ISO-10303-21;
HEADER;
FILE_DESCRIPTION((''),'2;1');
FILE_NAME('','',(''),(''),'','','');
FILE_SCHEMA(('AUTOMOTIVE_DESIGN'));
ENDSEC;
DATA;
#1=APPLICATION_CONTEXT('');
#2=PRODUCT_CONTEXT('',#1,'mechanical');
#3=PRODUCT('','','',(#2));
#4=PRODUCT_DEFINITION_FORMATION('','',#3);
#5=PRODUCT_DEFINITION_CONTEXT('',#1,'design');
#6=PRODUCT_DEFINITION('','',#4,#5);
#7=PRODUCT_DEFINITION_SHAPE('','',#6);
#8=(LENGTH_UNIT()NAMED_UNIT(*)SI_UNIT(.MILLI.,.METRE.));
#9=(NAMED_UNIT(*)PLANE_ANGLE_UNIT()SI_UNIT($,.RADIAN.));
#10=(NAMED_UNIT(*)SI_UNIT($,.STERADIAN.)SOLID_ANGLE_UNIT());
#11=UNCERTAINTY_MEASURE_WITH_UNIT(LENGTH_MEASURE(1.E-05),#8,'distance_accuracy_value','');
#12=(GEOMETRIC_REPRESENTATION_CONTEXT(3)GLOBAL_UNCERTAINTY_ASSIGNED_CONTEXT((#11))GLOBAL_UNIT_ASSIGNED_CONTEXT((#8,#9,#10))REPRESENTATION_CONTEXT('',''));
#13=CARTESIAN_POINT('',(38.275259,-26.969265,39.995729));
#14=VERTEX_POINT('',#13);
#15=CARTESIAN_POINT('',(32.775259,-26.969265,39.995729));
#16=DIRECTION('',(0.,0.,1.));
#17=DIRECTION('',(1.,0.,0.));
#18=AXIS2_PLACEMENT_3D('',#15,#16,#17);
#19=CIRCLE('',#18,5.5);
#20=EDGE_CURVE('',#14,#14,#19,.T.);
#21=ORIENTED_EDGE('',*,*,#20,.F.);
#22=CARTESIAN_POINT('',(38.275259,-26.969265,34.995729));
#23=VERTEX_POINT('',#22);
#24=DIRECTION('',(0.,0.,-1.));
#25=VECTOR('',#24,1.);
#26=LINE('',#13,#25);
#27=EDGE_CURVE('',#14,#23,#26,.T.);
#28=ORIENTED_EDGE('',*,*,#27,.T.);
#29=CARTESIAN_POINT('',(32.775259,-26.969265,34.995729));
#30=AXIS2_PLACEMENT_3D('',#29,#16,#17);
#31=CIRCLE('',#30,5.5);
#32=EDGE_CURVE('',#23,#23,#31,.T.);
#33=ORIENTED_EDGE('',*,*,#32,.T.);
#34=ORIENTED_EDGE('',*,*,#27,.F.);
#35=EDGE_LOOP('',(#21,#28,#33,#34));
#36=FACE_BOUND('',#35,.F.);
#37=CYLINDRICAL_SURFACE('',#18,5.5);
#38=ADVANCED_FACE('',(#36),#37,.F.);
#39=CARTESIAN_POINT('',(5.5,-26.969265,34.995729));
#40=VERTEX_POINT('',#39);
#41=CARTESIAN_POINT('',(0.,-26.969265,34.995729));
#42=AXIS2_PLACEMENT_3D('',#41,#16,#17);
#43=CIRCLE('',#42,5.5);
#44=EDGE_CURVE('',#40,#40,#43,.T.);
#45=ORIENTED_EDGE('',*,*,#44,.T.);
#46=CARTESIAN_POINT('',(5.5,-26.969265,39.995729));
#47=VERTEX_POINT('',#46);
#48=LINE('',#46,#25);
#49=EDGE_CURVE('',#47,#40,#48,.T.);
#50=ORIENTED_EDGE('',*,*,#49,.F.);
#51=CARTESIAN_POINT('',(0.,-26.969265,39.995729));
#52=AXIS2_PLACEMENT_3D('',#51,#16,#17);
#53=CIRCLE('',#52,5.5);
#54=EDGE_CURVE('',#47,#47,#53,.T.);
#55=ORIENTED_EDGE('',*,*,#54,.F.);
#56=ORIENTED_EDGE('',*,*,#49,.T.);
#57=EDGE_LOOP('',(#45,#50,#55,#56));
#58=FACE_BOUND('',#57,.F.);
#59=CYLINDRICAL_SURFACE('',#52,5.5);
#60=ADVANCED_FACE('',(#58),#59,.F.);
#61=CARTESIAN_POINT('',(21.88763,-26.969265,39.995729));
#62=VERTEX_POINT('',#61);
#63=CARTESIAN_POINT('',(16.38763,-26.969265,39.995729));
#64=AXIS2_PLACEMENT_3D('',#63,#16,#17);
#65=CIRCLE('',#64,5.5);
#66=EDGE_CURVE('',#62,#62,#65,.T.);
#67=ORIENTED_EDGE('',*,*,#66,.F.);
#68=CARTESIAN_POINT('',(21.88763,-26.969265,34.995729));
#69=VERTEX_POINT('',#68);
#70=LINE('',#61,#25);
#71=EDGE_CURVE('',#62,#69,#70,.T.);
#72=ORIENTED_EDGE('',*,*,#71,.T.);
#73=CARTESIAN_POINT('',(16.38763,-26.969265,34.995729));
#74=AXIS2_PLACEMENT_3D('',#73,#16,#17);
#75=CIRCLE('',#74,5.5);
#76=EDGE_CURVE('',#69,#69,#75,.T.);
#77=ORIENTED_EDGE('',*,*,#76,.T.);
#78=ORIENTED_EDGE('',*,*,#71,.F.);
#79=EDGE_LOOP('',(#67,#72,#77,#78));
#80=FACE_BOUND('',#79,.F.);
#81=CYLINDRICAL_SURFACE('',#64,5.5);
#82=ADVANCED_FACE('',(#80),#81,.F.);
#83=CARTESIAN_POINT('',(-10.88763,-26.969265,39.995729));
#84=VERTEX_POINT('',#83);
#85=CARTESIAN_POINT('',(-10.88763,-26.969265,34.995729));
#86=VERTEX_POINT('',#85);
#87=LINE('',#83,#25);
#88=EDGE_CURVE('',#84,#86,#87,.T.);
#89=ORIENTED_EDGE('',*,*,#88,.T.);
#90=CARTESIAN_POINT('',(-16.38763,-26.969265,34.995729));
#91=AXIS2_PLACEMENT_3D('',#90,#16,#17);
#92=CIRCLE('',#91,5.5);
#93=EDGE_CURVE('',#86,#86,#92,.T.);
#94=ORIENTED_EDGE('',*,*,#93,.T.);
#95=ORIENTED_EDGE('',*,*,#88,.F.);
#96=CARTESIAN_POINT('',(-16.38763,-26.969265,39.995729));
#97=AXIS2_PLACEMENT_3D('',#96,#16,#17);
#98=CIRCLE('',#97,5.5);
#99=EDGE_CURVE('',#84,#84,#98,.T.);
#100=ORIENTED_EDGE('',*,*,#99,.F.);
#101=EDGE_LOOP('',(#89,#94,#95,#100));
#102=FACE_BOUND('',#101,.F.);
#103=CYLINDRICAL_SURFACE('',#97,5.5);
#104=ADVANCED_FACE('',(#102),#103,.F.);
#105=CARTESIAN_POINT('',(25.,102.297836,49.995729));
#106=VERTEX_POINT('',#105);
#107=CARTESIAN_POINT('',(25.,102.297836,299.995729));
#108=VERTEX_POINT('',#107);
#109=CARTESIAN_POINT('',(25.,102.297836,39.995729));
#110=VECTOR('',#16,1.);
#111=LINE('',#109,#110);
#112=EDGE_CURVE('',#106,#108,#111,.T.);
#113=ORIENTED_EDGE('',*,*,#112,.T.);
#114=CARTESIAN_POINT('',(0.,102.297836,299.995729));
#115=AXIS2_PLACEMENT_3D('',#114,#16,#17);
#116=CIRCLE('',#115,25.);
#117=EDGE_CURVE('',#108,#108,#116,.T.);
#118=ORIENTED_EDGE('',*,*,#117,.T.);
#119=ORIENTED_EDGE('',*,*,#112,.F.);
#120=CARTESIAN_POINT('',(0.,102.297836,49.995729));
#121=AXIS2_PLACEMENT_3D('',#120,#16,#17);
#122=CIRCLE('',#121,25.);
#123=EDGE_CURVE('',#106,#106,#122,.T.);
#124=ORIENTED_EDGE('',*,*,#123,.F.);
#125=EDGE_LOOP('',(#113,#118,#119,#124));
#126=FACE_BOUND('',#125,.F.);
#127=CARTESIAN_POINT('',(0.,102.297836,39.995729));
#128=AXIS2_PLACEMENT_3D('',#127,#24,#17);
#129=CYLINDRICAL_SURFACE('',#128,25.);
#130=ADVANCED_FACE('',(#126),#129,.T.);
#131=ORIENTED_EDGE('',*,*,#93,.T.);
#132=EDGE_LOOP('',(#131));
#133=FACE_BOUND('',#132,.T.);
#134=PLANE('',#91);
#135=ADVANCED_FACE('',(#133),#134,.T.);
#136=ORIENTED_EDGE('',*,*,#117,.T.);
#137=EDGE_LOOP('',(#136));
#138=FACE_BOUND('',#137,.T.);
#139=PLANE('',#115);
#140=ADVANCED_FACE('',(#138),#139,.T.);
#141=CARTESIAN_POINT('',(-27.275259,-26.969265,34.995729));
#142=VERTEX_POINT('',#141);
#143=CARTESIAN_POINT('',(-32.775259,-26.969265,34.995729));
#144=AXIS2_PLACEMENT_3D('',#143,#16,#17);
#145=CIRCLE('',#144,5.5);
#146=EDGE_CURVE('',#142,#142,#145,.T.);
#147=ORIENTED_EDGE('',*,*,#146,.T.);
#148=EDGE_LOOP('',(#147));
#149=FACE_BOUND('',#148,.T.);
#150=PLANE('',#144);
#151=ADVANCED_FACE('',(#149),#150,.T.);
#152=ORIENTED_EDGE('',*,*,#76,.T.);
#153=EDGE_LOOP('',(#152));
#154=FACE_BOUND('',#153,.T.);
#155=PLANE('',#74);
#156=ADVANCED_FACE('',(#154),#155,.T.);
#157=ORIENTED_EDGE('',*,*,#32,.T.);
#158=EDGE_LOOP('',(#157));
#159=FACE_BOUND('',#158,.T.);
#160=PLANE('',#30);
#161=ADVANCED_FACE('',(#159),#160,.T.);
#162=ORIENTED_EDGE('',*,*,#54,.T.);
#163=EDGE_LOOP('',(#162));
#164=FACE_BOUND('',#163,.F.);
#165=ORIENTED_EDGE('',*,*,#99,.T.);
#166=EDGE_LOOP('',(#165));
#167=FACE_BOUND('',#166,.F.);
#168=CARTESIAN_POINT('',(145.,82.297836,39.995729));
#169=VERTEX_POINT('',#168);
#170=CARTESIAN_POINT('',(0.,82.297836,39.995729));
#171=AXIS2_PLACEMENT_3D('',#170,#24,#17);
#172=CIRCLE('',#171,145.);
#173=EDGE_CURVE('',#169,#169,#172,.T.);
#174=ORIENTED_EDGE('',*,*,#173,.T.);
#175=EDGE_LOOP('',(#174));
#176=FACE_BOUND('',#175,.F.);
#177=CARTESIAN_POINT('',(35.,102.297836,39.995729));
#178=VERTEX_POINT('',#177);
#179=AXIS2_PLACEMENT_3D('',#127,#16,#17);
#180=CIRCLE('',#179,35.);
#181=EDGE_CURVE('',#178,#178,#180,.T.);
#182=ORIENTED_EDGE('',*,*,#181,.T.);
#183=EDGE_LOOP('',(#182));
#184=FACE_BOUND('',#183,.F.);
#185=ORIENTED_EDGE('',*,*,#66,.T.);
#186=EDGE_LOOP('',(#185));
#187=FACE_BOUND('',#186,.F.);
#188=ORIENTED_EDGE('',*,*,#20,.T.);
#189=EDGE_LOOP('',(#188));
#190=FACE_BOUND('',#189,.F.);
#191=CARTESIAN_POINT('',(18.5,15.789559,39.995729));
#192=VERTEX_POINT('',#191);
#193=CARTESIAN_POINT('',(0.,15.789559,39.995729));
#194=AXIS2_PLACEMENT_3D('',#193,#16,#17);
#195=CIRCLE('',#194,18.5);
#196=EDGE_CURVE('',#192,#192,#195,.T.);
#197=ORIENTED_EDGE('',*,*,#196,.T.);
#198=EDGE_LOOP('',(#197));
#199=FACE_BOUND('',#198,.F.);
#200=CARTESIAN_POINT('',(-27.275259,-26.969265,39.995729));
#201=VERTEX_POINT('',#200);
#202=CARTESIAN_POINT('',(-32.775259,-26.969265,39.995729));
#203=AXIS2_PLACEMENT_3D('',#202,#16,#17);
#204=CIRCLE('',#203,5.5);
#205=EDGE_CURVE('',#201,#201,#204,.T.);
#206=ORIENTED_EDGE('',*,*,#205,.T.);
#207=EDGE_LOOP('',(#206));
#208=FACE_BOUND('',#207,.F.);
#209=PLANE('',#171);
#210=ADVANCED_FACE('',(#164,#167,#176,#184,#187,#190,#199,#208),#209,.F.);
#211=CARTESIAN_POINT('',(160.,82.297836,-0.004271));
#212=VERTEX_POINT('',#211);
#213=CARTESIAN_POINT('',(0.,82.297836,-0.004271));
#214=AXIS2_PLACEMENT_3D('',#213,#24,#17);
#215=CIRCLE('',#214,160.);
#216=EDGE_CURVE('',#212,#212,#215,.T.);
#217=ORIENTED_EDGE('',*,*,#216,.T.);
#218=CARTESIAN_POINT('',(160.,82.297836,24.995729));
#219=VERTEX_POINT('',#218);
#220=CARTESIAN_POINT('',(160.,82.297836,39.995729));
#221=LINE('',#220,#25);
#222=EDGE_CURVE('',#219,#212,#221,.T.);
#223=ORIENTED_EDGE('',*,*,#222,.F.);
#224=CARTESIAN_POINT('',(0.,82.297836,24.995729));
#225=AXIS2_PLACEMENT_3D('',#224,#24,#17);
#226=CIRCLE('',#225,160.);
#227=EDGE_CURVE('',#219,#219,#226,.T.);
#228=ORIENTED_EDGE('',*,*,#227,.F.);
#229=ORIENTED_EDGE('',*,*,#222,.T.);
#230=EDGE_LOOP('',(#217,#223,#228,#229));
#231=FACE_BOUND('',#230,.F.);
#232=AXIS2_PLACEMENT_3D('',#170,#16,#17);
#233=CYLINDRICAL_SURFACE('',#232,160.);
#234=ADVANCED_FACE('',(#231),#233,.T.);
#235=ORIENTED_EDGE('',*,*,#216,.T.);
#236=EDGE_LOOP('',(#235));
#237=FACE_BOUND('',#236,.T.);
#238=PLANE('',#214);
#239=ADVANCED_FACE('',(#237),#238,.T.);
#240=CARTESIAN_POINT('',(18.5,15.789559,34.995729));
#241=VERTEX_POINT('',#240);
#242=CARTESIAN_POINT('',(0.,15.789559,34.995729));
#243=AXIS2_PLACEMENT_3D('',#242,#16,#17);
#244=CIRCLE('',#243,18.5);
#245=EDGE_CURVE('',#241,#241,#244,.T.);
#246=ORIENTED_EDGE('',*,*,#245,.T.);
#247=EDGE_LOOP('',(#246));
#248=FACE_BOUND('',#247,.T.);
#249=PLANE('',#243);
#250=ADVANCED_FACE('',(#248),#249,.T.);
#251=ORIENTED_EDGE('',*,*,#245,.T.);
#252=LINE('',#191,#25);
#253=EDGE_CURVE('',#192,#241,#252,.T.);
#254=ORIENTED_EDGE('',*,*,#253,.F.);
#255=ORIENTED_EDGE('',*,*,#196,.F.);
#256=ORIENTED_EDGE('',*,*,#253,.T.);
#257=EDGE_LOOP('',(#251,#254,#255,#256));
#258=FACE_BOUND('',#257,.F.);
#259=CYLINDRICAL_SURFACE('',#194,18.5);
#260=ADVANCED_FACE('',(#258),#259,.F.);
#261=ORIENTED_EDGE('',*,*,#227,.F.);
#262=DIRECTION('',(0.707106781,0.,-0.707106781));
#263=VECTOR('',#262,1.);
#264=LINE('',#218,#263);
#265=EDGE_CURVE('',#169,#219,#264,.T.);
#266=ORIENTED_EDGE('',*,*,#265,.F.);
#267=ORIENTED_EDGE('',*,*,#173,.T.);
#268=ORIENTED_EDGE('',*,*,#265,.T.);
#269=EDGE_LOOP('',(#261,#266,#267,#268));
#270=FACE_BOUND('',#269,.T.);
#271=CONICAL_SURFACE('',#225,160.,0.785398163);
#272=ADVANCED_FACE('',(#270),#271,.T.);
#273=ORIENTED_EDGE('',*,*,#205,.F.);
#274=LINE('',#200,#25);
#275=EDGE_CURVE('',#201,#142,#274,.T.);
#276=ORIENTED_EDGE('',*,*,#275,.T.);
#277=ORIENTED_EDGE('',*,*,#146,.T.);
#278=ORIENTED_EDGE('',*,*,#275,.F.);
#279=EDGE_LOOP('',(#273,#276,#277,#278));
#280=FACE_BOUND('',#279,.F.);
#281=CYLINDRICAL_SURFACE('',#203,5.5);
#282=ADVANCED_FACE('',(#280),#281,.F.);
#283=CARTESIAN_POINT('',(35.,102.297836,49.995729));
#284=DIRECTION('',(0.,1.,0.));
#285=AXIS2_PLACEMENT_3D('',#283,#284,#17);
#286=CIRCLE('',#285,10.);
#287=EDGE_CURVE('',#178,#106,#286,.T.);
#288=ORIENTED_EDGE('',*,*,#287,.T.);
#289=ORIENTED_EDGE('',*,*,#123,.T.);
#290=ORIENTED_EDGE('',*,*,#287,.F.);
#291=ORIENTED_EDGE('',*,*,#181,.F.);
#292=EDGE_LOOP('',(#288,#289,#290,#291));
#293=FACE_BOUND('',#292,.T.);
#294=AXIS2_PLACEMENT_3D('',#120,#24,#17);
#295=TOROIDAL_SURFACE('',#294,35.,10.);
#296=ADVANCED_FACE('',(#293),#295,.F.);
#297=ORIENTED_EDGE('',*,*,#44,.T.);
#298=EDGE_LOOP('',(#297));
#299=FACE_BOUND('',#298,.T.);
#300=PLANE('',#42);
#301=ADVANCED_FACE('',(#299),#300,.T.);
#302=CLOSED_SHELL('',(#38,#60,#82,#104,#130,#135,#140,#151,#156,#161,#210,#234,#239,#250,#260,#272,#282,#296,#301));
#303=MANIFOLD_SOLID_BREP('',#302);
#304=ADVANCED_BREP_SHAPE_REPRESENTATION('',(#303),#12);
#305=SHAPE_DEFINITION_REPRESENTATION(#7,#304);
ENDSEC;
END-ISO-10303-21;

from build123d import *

# Parameters (mm, degrees)
SKETCH034_R     = 160
PAD021_DEPTH    = 40
SKETCH035_R     = 25
PAD022_DEPTH    = 260
FILLET004_R     = 10
SKETCH036_R     = 18.5
SKETCH036_R_2   = 5.5
POCKET004_DEPTH = 5
SKETCH037_R     = 17.5
SKETCH037_R_2   = 5
PAD023_DEPTH    = 10
FILLET005_R     = 1
PAD024_DEPTH    = 5
FILLET006_R     = 0.5
FILLET007_R     = 1.5
FILLET008_R     = 0.5
CHAMFER001_SIZE = 15
SKETCH055_R     = 5
POCKET007_DEPTH = 10
SKETCH056_R     = 17.5
POCKET008_DEPTH = 15


with BuildPart() as part:
    # Sketch034 (on Face1 of CopyPad021) → Pad021 (new body)
    with BuildSketch(Plane(origin=(0, 0, -559.544271), x_dir=(1, 0, 0), z_dir=(0, 0, -1))):
        with Locations((0, -82.297836)):
            Circle(SKETCH034_R)
    extrude(amount=PAD021_DEPTH)

    # Sketch035 (on Face2 of Pad021) → Pad022 (join)
    with BuildSketch(Plane.XY.offset(-559.544271)):
        with Locations((0, 102.297836)):
            Circle(SKETCH035_R)
    extrude(amount=PAD022_DEPTH)

    # Fillet004
    fillet004_edges = [part.edges().sort_by_distance(p)[0] for p in [
        (-25, 102.297836, -559.544271),
    ]]
    fillet(fillet004_edges, radius=FILLET004_R)

    # Sketch036 (on Face1 of Fillet004) → Pocket004 (cut)
    with BuildSketch(Plane.XY.offset(-559.544271)):
        with Locations((0, 15.789559)):
            Circle(SKETCH036_R)
        with Locations((-32.775259, -26.969265)):
            Circle(SKETCH036_R_2)
        with Locations((-16.38763, -26.969265)):
            Circle(SKETCH036_R_2)
        with Locations((0, -26.969265)):
            Circle(SKETCH036_R_2)
        with Locations((16.38763, -26.969265)):
            Circle(SKETCH036_R_2)
        with Locations((32.775259, -26.969265)):
            Circle(SKETCH036_R_2)
    extrude(amount=-POCKET004_DEPTH, mode=Mode.SUBTRACT)

    # Sketch037 (on Face14 of Pocket004) → Pad023 (join)
    with BuildSketch(Plane.XY.offset(-564.544271)):
        with Locations((0, 15.789559)):
            Circle(SKETCH037_R)
        with Locations((-32.775259, -26.969265)):
            Circle(SKETCH037_R_2)
        with Locations((-16.38763, -26.969265)):
            Circle(SKETCH037_R_2)
        with Locations((0, -26.969265)):
            Circle(SKETCH037_R_2)
        with Locations((16.38763, -26.969265)):
            Circle(SKETCH037_R_2)
        with Locations((32.775259, -26.969265)):
            Circle(SKETCH037_R_2)
    extrude(amount=PAD023_DEPTH)

    # Fillet005
    fillet005_edges = [part.edges().sort_by_distance(p)[0] for p in [
        (-5, -26.969265, -554.544271),
        (11.38763, -26.969265, -554.544271),
        (27.775259, -26.969265, -554.544271),
        (-21.38763, -26.969265, -554.544271),
        (-37.775259, -26.969265, -554.544271),
    ]]
    fillet(fillet005_edges, radius=FILLET005_R)

    # Sketch038 (on Face29 of Fillet005) → Pad024 (join)
    with BuildSketch(Plane.XY.offset(-554.544271)):
        with BuildLine():
            ThreePointArc((3.946719, 28.587051), (0, 32.53377), (-3.946719, 28.587051))
            Line((-3.946719, 28.587051), (-3.946719, 2.992067))
            ThreePointArc((-3.946719, 2.992067), (0, -0.954652), (3.946719, 2.992067))
            Line((3.946719, 28.587051), (3.946719, 2.992067))
        make_face()
    extrude(amount=PAD024_DEPTH)

    # Fillet006
    fillet006_edges = [part.edges().sort_by_distance(p)[0] for p in [
        (-3.946719, 15.789559, -554.544271),
    ]]
    fillet(fillet006_edges, radius=FILLET006_R)

    # Fillet007
    fillet007_edges = [part.edges().sort_by_distance(p)[0] for p in [
        (-3.946719, 15.789559, -549.544271),
    ]]
    fillet(fillet007_edges, radius=FILLET007_R)

    # Fillet008
    fillet008_edges = [part.edges().sort_by_distance(p)[0] for p in [
        (-17.5, 15.789559, -554.544271),
    ]]
    fillet(fillet008_edges, radius=FILLET008_R)

    # Chamfer001
    chamfer001_edges = [part.edges().sort_by_distance(p)[0] for p in [
        (-160, 82.297836, -559.544271),
    ]]
    chamfer(chamfer001_edges, length=CHAMFER001_SIZE)

    # Sketch055 (on Face36 of Chamfer001) → Pocket007 (cut)
    with BuildSketch(Plane.XY.offset(-554.544271)):
        with Locations((-32.775259, -26.969265)):
            Circle(SKETCH055_R)
        with Locations((-16.38763, -26.969265)):
            Circle(SKETCH055_R)
        with Locations((0, -26.969265)):
            Circle(SKETCH055_R)
        with Locations((16.38763, -26.969265)):
            Circle(SKETCH055_R)
        with Locations((32.775259, -26.969265)):
            Circle(SKETCH055_R)
    extrude(amount=-POCKET007_DEPTH, mode=Mode.SUBTRACT)

    # Sketch056 (on Face30 of Pocket007) → Pocket008 (cut)
    with BuildSketch(Plane.XY.offset(-549.544271)):
        with Locations((0, 15.789559)):
            Circle(SKETCH056_R)
    extrude(amount=-POCKET008_DEPTH, mode=Mode.SUBTRACT)


with BuildPart() as part_1:
    # Clone002 placement: moved
    add(part.part.moved(Location((0, 0, 599.54))))


solid = part_1.part
